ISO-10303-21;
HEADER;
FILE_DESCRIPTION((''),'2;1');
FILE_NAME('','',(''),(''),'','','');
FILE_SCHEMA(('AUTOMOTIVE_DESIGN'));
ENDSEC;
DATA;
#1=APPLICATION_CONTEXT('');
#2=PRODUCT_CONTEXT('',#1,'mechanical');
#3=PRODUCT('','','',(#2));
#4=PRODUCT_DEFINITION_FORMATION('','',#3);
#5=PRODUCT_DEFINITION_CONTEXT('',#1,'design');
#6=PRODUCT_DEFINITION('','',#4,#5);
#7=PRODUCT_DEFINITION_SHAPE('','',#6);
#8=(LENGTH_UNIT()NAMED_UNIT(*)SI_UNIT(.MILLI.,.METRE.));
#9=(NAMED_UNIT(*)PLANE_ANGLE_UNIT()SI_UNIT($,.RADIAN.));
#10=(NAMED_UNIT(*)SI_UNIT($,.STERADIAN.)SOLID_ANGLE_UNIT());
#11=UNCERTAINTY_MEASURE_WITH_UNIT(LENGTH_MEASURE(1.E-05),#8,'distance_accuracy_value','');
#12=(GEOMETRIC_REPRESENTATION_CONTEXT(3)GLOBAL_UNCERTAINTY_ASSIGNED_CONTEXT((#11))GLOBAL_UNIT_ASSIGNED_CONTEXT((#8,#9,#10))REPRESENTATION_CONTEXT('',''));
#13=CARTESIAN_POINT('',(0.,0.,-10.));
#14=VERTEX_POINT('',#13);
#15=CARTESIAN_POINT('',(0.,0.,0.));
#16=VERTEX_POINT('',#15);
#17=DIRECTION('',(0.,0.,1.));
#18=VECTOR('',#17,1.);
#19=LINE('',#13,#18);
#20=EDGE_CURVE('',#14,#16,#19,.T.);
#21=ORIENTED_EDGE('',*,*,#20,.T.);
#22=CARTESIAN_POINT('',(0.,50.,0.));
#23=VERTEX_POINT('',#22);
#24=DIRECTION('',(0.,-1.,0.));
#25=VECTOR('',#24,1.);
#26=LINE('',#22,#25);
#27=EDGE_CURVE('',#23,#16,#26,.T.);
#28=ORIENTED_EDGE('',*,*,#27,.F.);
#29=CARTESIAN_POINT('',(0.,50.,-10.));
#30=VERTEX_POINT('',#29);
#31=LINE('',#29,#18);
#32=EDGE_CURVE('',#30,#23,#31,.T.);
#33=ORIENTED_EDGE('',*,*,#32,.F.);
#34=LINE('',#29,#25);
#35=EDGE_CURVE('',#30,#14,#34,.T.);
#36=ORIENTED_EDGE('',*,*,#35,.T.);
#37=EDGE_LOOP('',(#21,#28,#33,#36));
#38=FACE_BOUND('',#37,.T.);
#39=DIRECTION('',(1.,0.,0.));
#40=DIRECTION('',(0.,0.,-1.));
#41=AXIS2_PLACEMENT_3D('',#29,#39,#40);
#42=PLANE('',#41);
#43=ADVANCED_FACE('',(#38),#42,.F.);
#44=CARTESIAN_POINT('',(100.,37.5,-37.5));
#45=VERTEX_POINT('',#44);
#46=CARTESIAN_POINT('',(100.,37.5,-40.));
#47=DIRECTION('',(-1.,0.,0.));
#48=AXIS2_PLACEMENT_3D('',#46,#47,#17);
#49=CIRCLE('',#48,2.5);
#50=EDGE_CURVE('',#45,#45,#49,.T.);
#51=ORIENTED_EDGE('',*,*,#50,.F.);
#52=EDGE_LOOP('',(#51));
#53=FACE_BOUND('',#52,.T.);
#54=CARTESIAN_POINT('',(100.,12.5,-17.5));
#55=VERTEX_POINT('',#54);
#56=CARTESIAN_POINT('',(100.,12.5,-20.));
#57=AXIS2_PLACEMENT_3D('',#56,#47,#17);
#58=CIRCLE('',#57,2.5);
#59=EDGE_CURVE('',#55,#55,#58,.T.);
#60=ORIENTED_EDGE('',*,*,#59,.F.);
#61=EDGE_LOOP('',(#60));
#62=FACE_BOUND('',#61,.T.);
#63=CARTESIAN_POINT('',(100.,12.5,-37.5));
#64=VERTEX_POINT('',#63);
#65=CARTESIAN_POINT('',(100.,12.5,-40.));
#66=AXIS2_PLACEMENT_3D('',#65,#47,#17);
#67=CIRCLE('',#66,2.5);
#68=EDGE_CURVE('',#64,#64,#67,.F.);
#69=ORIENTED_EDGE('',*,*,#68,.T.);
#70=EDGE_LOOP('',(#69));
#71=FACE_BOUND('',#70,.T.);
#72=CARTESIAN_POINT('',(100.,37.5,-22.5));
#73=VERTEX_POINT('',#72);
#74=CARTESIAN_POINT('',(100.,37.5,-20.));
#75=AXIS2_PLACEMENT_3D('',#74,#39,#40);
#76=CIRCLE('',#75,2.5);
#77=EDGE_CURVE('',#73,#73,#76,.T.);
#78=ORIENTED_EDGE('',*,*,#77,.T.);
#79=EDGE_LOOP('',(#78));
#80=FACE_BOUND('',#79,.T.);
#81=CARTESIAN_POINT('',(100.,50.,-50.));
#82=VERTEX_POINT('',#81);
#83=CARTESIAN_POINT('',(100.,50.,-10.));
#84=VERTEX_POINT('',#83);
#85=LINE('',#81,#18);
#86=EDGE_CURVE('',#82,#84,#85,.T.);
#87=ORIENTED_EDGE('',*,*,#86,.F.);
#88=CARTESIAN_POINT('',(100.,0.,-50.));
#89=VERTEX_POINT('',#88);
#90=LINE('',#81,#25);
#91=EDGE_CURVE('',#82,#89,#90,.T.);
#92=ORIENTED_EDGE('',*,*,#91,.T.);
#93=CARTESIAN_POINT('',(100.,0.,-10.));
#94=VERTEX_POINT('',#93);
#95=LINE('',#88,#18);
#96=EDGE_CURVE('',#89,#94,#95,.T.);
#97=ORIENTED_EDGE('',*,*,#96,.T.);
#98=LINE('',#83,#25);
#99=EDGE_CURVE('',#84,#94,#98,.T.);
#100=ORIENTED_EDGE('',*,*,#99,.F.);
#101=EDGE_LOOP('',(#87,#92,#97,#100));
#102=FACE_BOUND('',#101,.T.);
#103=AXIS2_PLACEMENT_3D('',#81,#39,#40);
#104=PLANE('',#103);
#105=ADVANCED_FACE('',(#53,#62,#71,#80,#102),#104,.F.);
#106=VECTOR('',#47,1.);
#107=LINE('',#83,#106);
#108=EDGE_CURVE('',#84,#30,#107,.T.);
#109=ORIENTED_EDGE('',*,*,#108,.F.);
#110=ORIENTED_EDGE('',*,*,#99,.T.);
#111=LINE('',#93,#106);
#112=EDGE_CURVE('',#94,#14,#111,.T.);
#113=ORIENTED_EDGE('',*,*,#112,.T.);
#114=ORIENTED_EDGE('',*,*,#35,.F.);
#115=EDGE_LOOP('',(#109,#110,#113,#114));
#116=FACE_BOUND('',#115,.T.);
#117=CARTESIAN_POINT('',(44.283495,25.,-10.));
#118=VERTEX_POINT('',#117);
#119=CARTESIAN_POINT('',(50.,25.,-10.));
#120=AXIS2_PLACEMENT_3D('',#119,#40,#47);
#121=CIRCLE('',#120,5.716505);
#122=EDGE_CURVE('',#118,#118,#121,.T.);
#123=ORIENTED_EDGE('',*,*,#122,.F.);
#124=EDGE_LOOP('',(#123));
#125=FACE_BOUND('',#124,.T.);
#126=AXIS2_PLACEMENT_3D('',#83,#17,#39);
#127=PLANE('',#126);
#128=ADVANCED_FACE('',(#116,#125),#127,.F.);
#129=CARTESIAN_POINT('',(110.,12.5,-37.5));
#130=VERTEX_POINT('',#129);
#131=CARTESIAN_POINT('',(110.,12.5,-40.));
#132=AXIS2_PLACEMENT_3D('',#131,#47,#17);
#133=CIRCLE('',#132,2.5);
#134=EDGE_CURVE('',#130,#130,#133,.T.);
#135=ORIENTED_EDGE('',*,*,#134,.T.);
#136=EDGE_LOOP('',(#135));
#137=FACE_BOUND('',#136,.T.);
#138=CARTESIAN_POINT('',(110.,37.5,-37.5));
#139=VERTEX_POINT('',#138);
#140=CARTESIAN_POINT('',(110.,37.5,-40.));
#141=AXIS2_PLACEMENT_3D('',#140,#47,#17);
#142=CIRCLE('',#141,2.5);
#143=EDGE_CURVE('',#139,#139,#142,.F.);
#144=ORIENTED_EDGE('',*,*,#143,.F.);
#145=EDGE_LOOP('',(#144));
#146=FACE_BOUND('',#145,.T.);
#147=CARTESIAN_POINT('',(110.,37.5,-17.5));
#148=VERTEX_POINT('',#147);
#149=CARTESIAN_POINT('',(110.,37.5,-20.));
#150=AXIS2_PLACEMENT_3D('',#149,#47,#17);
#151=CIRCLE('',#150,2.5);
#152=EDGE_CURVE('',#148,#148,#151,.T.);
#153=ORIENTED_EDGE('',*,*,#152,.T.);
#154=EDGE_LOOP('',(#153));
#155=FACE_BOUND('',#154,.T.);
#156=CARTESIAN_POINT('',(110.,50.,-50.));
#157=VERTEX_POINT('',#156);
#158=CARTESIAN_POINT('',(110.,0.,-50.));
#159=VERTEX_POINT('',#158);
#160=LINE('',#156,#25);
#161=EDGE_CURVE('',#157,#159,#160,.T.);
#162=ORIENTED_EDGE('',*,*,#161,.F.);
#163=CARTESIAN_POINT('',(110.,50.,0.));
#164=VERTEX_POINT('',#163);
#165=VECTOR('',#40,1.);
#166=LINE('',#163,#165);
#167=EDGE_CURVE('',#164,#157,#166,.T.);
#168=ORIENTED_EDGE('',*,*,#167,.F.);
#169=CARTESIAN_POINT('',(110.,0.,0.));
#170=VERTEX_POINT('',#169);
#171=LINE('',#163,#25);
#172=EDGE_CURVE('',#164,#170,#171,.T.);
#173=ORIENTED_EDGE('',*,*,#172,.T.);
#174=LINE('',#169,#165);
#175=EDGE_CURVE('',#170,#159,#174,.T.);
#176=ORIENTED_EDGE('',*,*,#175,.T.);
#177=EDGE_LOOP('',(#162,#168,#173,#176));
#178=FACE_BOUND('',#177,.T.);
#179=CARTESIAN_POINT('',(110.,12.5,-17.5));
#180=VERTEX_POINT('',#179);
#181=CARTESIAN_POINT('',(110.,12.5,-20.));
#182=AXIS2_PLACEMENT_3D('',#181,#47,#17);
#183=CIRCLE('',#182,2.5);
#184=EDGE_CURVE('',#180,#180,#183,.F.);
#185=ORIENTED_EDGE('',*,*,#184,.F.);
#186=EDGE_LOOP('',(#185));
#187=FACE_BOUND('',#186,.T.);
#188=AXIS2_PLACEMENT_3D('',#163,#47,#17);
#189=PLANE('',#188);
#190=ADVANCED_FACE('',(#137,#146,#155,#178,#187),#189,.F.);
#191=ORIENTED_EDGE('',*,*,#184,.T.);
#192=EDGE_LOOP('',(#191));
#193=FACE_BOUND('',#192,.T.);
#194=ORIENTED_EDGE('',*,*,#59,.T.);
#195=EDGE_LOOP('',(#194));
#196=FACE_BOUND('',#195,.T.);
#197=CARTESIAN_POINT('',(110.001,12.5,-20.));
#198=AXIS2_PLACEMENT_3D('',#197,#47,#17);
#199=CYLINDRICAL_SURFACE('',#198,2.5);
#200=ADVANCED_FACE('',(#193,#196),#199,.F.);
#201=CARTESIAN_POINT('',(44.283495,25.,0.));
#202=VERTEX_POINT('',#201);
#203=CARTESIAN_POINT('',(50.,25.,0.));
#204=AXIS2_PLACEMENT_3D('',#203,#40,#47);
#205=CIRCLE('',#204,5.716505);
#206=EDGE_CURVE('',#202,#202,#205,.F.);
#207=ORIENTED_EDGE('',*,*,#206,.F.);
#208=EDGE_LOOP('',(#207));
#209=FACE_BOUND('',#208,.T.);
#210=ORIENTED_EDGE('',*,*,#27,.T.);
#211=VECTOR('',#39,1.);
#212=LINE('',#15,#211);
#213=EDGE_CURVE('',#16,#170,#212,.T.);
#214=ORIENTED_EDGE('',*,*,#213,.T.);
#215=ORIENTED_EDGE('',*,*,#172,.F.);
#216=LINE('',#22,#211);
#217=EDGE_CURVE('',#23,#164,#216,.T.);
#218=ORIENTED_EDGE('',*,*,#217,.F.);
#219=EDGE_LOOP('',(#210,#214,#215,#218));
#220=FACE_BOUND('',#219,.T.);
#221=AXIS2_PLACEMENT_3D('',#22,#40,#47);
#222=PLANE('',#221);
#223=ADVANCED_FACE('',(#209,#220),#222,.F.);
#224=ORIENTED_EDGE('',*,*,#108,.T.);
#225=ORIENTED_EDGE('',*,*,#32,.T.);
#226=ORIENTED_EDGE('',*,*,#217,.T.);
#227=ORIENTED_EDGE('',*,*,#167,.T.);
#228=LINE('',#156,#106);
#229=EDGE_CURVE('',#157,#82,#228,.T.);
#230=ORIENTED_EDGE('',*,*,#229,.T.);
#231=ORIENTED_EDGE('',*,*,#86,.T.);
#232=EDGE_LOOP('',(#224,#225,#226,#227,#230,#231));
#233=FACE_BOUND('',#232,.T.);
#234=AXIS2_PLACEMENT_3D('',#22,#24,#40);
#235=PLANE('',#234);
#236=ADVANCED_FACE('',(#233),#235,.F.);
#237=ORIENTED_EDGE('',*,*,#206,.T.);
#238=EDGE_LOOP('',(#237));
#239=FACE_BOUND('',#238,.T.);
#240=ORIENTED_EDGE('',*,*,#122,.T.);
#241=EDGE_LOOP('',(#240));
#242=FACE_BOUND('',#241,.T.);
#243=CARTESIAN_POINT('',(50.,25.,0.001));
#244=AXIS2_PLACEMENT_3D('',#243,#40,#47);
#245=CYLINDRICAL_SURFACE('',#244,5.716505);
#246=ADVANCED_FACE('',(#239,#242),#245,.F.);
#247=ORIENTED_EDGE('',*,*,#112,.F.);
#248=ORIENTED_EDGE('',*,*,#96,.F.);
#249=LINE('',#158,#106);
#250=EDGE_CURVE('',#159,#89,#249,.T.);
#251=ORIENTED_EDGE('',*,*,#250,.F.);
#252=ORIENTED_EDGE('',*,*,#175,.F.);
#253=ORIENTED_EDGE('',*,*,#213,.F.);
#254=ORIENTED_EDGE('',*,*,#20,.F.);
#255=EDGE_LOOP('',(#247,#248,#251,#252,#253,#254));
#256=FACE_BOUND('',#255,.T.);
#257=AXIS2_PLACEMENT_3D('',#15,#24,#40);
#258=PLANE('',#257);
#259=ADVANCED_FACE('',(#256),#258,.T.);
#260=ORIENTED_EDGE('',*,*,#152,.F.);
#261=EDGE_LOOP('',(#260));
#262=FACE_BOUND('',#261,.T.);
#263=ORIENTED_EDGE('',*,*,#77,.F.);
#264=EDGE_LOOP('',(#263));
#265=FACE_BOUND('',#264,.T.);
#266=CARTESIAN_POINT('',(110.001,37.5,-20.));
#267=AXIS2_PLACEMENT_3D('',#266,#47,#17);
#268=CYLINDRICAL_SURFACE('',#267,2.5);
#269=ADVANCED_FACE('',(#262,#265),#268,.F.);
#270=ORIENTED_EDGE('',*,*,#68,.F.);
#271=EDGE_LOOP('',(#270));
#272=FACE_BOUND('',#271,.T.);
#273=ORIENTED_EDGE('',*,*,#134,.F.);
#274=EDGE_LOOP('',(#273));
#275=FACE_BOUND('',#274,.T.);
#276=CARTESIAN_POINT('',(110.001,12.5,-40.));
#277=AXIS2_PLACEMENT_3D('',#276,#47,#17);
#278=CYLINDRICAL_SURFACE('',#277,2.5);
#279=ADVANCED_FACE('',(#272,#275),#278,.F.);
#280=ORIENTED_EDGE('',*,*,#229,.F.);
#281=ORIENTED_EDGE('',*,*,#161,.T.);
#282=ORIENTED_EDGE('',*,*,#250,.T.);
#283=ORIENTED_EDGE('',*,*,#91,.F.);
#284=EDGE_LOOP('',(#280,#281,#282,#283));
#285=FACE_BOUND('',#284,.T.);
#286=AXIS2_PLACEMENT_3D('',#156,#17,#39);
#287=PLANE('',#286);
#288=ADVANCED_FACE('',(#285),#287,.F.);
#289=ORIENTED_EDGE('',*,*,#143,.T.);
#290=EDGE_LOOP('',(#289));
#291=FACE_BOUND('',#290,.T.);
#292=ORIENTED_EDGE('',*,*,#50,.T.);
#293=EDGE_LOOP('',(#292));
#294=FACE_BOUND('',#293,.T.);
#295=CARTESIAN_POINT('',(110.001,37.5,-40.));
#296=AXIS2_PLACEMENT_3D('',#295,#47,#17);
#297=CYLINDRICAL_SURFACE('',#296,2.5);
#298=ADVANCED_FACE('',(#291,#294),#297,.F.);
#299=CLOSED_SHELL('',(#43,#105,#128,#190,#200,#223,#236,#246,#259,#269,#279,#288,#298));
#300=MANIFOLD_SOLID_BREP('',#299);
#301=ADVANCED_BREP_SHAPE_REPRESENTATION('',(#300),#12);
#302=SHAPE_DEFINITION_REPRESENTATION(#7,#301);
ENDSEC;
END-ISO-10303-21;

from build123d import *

# Parameters (mm, degrees)
BOSS_EXTRUDE1_DEPTH = 50
CUT_EXTRUDE1_REACH  = 129.279
SKETCH3_R           = 5.716504826
CUT_EXTRUDE2_REACH  = 124.474
SKETCH5_R           = 2.5


with BuildPart() as part:
    # Sketch2 → Boss-Extrude1 (new body)
    with BuildSketch(Plane(origin=(0, 0, 0), x_dir=(1, 0, 0), z_dir=(0, 1, 0))):
        Polygon((0, 0), (110, 0), (110, 50), (100, 50), (100, 10), (0, 10), align=None)
    extrude(amount=BOSS_EXTRUDE1_DEPTH)

    # Sketch3 → Cut-Extrude1 (cut, up to next)
    with BuildSketch(Plane(origin=(0, 0, -10), x_dir=(-1, 0, 0), z_dir=(0, 0, -1)), mode=Mode.PRIVATE) as cut_extrude1_sk1:
        with Locations((-50, 25)):
            Circle(SKETCH3_R)
    cut_extrude1_tool1 = extrude(cut_extrude1_sk1.sketch, amount=-CUT_EXTRUDE1_REACH, mode=Mode.PRIVATE) & part.part
    add(cut_extrude1_tool1.solids().sort_by_distance((50, 25, -10))[0], mode=Mode.SUBTRACT)

    # Sketch5 → Cut-Extrude2 (cut, up to next)
    with BuildSketch(Plane.ZY.offset(-100), mode=Mode.PRIVATE) as cut_extrude2_sk1:
        with Locations((-40, 12.5)):
            Circle(SKETCH5_R)
    cut_extrude2_tool1 = extrude(cut_extrude2_sk1.sketch, amount=-CUT_EXTRUDE2_REACH, mode=Mode.PRIVATE) & part.part
    # Sketch5 → Cut-Extrude2 (cut, up to next)
    with BuildSketch(Plane.ZY.offset(-100), mode=Mode.PRIVATE) as cut_extrude2_sk2:
        with Locations((-20, 12.5)):
            Circle(SKETCH5_R)
    cut_extrude2_tool2 = extrude(cut_extrude2_sk2.sketch, amount=-CUT_EXTRUDE2_REACH, mode=Mode.PRIVATE) & part.part
    # Sketch5 → Cut-Extrude2 (cut, up to next)
    with BuildSketch(Plane.ZY.offset(-100), mode=Mode.PRIVATE) as cut_extrude2_sk3:
        with Locations((-40, 37.5)):
            Circle(SKETCH5_R)
    cut_extrude2_tool3 = extrude(cut_extrude2_sk3.sketch, amount=-CUT_EXTRUDE2_REACH, mode=Mode.PRIVATE) & part.part
    # Sketch5 → Cut-Extrude2 (cut, up to next)
    with BuildSketch(Plane.ZY.offset(-100), mode=Mode.PRIVATE) as cut_extrude2_sk4:
        with Locations((-20, 37.5)):
            Circle(SKETCH5_R)
    cut_extrude2_tool4 = extrude(cut_extrude2_sk4.sketch, amount=-CUT_EXTRUDE2_REACH, mode=Mode.PRIVATE) & part.part
    add(cut_extrude2_tool1.solids().sort_by_distance((100, 12.5, -40))[0], mode=Mode.SUBTRACT)
    add(cut_extrude2_tool2.solids().sort_by_distance((100, 12.5, -20))[0], mode=Mode.SUBTRACT)
    add(cut_extrude2_tool3.solids().sort_by_distance((100, 37.5, -40))[0], mode=Mode.SUBTRACT)
    add(cut_extrude2_tool4.solids().sort_by_distance((100, 37.5, -20))[0], mode=Mode.SUBTRACT)


solid = part.part
